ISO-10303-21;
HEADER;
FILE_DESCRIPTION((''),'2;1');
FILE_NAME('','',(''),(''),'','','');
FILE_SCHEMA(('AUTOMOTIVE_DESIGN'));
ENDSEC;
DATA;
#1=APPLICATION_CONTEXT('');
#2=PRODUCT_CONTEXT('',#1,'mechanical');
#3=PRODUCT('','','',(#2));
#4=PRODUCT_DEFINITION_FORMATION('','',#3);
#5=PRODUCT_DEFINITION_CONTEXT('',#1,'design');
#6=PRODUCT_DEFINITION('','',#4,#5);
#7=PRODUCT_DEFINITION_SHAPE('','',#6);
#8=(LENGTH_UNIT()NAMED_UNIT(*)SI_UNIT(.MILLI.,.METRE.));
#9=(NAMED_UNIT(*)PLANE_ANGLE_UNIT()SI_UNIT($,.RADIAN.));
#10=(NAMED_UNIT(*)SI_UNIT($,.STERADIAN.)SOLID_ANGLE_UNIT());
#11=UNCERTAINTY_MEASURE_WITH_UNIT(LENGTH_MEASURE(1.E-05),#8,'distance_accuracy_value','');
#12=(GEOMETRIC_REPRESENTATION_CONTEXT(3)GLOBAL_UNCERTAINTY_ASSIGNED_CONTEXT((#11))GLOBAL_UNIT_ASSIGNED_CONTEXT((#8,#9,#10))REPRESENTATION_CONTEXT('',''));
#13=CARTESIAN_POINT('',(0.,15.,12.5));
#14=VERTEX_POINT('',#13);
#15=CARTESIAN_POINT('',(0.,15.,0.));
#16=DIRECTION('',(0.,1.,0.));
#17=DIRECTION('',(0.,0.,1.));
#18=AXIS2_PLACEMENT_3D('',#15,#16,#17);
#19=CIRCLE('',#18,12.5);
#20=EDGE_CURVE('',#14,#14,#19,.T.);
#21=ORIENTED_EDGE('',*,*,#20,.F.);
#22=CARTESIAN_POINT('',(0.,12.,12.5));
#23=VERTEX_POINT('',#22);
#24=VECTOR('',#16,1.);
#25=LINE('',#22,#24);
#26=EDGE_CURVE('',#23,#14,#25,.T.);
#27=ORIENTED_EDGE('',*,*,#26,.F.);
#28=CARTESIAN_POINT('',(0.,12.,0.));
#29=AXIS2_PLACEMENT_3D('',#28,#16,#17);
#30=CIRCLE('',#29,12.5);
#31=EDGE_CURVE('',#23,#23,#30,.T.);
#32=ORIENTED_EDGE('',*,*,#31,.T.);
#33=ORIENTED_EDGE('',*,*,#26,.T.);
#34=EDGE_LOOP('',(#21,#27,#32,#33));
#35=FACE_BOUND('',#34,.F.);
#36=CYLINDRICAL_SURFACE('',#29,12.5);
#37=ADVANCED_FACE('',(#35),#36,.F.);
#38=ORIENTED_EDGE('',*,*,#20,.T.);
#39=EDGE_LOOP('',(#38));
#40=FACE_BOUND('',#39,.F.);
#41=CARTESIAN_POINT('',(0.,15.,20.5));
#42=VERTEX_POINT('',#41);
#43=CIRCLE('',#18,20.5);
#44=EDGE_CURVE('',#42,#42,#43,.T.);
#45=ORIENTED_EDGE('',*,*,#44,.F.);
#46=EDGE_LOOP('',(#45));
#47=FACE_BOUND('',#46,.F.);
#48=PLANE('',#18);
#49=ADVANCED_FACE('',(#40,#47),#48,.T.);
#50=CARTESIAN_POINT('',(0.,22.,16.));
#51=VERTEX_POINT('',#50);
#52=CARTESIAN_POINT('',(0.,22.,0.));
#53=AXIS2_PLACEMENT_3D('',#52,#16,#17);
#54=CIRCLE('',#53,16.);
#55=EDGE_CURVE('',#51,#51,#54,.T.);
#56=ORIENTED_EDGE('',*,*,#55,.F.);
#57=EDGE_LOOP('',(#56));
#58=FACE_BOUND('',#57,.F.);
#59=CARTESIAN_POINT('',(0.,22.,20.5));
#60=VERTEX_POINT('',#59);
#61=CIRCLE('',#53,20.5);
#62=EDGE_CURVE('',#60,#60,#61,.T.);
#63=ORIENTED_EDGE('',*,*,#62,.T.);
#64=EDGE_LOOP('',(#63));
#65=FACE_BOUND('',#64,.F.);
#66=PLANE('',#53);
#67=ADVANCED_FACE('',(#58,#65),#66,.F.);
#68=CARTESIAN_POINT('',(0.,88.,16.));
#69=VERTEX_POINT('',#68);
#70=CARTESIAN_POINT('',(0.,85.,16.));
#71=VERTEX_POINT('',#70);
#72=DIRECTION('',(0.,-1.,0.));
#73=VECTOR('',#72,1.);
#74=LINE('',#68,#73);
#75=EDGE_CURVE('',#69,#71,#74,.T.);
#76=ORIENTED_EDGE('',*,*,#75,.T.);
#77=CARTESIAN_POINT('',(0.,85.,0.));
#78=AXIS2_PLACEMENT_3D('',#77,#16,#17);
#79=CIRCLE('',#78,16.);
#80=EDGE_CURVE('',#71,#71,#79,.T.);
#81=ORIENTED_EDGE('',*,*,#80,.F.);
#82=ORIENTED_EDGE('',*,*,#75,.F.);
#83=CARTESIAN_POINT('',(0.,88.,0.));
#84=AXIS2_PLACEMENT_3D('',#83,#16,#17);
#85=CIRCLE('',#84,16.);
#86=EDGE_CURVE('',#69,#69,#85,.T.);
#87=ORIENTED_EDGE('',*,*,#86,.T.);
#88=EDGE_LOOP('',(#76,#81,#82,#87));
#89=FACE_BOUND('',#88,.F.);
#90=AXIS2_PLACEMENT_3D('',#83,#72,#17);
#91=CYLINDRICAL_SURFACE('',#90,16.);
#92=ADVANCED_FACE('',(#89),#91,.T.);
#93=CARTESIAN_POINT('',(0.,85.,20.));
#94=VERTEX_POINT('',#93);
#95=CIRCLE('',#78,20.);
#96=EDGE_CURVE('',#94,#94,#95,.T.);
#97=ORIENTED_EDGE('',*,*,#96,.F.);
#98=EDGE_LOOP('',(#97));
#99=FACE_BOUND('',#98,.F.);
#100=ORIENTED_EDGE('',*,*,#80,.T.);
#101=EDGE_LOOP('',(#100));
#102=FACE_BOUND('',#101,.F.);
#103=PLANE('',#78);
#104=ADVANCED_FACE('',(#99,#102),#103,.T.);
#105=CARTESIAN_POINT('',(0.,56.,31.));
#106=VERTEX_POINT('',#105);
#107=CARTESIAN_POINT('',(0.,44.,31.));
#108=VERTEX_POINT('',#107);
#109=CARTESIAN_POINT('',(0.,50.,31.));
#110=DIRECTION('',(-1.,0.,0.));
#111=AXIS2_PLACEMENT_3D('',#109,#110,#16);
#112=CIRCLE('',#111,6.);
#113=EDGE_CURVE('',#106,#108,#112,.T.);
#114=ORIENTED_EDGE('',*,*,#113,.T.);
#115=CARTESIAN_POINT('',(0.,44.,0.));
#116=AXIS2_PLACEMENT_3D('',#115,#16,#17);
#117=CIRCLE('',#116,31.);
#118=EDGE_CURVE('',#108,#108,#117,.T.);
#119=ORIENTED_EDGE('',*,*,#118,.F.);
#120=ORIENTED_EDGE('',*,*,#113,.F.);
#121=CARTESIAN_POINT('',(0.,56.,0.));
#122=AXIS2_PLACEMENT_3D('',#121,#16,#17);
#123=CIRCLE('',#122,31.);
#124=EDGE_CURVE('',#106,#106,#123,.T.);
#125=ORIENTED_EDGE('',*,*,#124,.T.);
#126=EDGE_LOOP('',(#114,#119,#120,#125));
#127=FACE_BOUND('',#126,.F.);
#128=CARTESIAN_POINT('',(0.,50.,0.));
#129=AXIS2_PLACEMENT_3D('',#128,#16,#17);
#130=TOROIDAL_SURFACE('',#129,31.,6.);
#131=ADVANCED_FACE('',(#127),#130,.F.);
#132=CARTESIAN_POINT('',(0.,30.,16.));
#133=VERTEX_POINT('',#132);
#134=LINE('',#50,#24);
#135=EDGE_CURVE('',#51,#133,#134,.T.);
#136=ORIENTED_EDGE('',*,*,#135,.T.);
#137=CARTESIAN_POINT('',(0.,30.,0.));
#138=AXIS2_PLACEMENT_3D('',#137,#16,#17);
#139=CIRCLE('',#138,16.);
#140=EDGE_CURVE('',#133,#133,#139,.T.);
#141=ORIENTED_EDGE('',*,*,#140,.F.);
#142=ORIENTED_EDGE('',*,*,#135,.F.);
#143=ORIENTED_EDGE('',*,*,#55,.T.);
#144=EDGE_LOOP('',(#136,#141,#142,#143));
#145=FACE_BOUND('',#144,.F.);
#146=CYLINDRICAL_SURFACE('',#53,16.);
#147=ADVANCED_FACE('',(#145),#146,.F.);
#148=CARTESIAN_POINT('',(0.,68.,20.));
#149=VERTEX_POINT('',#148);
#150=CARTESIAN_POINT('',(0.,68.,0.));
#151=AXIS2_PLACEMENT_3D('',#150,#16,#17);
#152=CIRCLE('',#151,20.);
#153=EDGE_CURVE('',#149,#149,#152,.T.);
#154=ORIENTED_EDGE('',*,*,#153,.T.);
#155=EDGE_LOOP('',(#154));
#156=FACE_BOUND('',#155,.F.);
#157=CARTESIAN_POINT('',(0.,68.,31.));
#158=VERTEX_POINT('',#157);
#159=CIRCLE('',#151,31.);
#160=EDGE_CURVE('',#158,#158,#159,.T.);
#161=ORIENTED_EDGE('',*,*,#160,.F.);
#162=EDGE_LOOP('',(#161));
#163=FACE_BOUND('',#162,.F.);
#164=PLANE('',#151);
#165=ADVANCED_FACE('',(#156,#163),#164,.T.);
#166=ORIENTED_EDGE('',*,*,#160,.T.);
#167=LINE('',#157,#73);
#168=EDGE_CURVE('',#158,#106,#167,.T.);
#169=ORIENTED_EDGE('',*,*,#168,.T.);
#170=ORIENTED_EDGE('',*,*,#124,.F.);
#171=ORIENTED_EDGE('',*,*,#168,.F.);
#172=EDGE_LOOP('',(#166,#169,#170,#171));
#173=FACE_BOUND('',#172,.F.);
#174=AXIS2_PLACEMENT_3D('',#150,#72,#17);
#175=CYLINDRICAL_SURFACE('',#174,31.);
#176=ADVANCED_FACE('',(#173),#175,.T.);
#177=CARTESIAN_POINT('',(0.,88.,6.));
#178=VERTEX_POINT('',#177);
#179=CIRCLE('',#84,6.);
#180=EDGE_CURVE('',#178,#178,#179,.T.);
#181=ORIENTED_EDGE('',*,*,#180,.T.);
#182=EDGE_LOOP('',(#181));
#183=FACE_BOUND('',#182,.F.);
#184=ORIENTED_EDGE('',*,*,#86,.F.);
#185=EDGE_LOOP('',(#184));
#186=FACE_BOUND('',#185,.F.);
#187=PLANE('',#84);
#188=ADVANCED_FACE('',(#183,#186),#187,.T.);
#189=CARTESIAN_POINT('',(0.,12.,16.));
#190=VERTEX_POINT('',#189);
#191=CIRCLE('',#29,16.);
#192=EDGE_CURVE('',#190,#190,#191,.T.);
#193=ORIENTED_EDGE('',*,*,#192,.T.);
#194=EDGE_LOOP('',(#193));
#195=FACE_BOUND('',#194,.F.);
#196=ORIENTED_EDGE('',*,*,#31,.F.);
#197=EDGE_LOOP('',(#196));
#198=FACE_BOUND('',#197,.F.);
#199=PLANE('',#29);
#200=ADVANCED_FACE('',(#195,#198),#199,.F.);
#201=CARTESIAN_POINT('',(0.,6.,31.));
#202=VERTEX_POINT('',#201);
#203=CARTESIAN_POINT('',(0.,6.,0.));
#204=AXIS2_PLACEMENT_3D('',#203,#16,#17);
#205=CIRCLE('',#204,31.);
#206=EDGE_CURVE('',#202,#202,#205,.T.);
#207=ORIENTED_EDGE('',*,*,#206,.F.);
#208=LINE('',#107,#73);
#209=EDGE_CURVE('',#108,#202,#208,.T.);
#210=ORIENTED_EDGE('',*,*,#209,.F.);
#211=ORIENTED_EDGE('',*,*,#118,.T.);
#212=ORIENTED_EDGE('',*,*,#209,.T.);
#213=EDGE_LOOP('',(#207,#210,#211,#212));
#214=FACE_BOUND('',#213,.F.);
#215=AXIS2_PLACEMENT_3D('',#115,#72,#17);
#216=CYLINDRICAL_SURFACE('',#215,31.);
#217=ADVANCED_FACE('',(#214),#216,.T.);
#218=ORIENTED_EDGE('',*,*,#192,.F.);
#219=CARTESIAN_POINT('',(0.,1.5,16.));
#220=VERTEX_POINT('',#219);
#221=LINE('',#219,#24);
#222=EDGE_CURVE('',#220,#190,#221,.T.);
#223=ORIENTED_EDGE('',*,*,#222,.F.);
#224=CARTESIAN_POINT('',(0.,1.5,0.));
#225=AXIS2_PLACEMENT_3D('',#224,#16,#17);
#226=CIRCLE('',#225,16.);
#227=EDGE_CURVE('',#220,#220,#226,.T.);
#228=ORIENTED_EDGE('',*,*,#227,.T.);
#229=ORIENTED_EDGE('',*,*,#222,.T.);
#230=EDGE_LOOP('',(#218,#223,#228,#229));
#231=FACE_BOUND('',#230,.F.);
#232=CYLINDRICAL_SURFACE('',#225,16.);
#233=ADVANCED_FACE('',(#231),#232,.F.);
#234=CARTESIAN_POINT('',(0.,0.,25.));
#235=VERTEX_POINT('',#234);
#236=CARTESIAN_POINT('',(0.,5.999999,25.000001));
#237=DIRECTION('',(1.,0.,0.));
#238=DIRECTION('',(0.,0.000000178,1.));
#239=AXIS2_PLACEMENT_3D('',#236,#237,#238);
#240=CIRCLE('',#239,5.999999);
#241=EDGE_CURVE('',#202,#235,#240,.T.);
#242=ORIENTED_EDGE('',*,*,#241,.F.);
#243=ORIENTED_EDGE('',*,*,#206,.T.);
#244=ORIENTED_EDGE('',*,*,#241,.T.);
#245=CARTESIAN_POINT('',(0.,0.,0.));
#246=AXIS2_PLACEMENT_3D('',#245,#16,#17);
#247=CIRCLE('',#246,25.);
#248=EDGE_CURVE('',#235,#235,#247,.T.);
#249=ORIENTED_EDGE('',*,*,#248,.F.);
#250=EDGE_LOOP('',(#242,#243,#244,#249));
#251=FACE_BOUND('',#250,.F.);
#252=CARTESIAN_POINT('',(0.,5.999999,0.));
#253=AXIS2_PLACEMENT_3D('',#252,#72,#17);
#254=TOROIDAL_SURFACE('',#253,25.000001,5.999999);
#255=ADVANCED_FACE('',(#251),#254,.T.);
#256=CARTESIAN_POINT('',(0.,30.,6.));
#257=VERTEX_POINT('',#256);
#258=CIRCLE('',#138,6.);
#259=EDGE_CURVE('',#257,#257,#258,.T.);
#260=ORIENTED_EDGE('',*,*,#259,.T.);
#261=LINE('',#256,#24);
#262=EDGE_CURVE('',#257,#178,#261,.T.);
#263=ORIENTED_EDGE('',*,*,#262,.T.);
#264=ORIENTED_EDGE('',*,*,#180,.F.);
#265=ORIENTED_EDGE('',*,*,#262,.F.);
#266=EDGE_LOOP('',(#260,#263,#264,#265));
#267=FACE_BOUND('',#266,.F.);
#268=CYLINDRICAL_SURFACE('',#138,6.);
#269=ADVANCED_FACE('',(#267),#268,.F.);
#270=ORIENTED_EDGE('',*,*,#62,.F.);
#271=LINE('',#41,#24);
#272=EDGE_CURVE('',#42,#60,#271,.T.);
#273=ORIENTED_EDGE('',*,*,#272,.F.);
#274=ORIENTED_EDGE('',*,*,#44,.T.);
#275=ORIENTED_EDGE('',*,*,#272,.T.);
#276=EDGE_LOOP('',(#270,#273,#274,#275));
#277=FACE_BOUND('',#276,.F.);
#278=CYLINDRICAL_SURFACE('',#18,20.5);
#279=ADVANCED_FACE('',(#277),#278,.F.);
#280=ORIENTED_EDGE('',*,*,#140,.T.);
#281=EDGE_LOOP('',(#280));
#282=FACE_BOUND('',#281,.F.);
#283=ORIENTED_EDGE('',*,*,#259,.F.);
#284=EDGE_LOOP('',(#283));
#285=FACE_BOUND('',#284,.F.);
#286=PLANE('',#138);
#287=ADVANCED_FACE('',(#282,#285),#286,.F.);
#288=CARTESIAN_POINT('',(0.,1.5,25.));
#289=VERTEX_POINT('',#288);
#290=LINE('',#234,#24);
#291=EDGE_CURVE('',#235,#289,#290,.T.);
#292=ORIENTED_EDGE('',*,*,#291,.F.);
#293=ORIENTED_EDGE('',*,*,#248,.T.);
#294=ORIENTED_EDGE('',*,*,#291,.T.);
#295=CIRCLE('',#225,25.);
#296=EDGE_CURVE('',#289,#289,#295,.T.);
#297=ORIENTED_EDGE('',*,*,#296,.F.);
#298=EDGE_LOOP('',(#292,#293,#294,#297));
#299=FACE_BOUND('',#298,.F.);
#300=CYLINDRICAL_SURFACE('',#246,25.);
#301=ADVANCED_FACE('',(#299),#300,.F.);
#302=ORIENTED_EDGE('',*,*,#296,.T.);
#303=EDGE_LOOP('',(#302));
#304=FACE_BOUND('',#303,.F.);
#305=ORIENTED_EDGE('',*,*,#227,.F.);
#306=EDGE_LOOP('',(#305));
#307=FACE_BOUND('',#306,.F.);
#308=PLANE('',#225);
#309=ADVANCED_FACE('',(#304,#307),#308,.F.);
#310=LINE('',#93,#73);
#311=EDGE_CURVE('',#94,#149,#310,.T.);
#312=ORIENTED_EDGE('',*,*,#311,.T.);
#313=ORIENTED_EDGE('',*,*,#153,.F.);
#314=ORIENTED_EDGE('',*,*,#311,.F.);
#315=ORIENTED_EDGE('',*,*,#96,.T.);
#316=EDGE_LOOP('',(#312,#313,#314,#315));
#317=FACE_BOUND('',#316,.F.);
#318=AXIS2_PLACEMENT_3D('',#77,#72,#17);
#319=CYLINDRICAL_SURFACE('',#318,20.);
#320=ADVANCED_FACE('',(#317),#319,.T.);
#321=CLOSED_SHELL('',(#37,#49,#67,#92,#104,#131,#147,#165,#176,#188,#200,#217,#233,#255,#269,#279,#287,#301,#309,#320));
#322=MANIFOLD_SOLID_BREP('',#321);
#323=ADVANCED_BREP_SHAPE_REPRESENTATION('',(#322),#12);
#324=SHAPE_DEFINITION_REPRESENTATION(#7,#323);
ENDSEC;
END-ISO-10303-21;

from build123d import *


with BuildPart() as f1:
    # F0 (on Right) → F1 (revolve)
    with BuildSketch(Plane.YZ):
        with BuildLine():
            ThreePointArc((6, 31), (1.757359, 29.242641), (0, 25))
            Line((0, 25), (1.5, 25))
            Line((1.5, 25), (1.5, 16))
            Line((1.5, 16), (12, 16))
            Line((12, 16), (12, 12.5))
            Line((12, 12.5), (15, 12.5))
            Line((15, 12.5), (15, 20.5))
            Line((15, 20.5), (22, 20.5))
            Line((22, 20.5), (22, 16))
            Line((22, 16), (30, 16))
            Line((30, 16), (30, 6))
            Line((30, 6), (88, 6))
            Line((88, 6), (88, 16))
            Line((88, 16), (85, 16))
            Line((85, 16), (85, 20))
            Line((85, 20), (68, 20))
            Line((68, 20), (68, 31))
            Line((68, 31), (56, 31))
            ThreePointArc((56, 31), (50, 25), (44, 31))
            Line((44, 31), (6, 31))
        make_face()
    revolve(axis=Axis((0, 44, 0), (0, 1, 0)))


solid = f1.part
